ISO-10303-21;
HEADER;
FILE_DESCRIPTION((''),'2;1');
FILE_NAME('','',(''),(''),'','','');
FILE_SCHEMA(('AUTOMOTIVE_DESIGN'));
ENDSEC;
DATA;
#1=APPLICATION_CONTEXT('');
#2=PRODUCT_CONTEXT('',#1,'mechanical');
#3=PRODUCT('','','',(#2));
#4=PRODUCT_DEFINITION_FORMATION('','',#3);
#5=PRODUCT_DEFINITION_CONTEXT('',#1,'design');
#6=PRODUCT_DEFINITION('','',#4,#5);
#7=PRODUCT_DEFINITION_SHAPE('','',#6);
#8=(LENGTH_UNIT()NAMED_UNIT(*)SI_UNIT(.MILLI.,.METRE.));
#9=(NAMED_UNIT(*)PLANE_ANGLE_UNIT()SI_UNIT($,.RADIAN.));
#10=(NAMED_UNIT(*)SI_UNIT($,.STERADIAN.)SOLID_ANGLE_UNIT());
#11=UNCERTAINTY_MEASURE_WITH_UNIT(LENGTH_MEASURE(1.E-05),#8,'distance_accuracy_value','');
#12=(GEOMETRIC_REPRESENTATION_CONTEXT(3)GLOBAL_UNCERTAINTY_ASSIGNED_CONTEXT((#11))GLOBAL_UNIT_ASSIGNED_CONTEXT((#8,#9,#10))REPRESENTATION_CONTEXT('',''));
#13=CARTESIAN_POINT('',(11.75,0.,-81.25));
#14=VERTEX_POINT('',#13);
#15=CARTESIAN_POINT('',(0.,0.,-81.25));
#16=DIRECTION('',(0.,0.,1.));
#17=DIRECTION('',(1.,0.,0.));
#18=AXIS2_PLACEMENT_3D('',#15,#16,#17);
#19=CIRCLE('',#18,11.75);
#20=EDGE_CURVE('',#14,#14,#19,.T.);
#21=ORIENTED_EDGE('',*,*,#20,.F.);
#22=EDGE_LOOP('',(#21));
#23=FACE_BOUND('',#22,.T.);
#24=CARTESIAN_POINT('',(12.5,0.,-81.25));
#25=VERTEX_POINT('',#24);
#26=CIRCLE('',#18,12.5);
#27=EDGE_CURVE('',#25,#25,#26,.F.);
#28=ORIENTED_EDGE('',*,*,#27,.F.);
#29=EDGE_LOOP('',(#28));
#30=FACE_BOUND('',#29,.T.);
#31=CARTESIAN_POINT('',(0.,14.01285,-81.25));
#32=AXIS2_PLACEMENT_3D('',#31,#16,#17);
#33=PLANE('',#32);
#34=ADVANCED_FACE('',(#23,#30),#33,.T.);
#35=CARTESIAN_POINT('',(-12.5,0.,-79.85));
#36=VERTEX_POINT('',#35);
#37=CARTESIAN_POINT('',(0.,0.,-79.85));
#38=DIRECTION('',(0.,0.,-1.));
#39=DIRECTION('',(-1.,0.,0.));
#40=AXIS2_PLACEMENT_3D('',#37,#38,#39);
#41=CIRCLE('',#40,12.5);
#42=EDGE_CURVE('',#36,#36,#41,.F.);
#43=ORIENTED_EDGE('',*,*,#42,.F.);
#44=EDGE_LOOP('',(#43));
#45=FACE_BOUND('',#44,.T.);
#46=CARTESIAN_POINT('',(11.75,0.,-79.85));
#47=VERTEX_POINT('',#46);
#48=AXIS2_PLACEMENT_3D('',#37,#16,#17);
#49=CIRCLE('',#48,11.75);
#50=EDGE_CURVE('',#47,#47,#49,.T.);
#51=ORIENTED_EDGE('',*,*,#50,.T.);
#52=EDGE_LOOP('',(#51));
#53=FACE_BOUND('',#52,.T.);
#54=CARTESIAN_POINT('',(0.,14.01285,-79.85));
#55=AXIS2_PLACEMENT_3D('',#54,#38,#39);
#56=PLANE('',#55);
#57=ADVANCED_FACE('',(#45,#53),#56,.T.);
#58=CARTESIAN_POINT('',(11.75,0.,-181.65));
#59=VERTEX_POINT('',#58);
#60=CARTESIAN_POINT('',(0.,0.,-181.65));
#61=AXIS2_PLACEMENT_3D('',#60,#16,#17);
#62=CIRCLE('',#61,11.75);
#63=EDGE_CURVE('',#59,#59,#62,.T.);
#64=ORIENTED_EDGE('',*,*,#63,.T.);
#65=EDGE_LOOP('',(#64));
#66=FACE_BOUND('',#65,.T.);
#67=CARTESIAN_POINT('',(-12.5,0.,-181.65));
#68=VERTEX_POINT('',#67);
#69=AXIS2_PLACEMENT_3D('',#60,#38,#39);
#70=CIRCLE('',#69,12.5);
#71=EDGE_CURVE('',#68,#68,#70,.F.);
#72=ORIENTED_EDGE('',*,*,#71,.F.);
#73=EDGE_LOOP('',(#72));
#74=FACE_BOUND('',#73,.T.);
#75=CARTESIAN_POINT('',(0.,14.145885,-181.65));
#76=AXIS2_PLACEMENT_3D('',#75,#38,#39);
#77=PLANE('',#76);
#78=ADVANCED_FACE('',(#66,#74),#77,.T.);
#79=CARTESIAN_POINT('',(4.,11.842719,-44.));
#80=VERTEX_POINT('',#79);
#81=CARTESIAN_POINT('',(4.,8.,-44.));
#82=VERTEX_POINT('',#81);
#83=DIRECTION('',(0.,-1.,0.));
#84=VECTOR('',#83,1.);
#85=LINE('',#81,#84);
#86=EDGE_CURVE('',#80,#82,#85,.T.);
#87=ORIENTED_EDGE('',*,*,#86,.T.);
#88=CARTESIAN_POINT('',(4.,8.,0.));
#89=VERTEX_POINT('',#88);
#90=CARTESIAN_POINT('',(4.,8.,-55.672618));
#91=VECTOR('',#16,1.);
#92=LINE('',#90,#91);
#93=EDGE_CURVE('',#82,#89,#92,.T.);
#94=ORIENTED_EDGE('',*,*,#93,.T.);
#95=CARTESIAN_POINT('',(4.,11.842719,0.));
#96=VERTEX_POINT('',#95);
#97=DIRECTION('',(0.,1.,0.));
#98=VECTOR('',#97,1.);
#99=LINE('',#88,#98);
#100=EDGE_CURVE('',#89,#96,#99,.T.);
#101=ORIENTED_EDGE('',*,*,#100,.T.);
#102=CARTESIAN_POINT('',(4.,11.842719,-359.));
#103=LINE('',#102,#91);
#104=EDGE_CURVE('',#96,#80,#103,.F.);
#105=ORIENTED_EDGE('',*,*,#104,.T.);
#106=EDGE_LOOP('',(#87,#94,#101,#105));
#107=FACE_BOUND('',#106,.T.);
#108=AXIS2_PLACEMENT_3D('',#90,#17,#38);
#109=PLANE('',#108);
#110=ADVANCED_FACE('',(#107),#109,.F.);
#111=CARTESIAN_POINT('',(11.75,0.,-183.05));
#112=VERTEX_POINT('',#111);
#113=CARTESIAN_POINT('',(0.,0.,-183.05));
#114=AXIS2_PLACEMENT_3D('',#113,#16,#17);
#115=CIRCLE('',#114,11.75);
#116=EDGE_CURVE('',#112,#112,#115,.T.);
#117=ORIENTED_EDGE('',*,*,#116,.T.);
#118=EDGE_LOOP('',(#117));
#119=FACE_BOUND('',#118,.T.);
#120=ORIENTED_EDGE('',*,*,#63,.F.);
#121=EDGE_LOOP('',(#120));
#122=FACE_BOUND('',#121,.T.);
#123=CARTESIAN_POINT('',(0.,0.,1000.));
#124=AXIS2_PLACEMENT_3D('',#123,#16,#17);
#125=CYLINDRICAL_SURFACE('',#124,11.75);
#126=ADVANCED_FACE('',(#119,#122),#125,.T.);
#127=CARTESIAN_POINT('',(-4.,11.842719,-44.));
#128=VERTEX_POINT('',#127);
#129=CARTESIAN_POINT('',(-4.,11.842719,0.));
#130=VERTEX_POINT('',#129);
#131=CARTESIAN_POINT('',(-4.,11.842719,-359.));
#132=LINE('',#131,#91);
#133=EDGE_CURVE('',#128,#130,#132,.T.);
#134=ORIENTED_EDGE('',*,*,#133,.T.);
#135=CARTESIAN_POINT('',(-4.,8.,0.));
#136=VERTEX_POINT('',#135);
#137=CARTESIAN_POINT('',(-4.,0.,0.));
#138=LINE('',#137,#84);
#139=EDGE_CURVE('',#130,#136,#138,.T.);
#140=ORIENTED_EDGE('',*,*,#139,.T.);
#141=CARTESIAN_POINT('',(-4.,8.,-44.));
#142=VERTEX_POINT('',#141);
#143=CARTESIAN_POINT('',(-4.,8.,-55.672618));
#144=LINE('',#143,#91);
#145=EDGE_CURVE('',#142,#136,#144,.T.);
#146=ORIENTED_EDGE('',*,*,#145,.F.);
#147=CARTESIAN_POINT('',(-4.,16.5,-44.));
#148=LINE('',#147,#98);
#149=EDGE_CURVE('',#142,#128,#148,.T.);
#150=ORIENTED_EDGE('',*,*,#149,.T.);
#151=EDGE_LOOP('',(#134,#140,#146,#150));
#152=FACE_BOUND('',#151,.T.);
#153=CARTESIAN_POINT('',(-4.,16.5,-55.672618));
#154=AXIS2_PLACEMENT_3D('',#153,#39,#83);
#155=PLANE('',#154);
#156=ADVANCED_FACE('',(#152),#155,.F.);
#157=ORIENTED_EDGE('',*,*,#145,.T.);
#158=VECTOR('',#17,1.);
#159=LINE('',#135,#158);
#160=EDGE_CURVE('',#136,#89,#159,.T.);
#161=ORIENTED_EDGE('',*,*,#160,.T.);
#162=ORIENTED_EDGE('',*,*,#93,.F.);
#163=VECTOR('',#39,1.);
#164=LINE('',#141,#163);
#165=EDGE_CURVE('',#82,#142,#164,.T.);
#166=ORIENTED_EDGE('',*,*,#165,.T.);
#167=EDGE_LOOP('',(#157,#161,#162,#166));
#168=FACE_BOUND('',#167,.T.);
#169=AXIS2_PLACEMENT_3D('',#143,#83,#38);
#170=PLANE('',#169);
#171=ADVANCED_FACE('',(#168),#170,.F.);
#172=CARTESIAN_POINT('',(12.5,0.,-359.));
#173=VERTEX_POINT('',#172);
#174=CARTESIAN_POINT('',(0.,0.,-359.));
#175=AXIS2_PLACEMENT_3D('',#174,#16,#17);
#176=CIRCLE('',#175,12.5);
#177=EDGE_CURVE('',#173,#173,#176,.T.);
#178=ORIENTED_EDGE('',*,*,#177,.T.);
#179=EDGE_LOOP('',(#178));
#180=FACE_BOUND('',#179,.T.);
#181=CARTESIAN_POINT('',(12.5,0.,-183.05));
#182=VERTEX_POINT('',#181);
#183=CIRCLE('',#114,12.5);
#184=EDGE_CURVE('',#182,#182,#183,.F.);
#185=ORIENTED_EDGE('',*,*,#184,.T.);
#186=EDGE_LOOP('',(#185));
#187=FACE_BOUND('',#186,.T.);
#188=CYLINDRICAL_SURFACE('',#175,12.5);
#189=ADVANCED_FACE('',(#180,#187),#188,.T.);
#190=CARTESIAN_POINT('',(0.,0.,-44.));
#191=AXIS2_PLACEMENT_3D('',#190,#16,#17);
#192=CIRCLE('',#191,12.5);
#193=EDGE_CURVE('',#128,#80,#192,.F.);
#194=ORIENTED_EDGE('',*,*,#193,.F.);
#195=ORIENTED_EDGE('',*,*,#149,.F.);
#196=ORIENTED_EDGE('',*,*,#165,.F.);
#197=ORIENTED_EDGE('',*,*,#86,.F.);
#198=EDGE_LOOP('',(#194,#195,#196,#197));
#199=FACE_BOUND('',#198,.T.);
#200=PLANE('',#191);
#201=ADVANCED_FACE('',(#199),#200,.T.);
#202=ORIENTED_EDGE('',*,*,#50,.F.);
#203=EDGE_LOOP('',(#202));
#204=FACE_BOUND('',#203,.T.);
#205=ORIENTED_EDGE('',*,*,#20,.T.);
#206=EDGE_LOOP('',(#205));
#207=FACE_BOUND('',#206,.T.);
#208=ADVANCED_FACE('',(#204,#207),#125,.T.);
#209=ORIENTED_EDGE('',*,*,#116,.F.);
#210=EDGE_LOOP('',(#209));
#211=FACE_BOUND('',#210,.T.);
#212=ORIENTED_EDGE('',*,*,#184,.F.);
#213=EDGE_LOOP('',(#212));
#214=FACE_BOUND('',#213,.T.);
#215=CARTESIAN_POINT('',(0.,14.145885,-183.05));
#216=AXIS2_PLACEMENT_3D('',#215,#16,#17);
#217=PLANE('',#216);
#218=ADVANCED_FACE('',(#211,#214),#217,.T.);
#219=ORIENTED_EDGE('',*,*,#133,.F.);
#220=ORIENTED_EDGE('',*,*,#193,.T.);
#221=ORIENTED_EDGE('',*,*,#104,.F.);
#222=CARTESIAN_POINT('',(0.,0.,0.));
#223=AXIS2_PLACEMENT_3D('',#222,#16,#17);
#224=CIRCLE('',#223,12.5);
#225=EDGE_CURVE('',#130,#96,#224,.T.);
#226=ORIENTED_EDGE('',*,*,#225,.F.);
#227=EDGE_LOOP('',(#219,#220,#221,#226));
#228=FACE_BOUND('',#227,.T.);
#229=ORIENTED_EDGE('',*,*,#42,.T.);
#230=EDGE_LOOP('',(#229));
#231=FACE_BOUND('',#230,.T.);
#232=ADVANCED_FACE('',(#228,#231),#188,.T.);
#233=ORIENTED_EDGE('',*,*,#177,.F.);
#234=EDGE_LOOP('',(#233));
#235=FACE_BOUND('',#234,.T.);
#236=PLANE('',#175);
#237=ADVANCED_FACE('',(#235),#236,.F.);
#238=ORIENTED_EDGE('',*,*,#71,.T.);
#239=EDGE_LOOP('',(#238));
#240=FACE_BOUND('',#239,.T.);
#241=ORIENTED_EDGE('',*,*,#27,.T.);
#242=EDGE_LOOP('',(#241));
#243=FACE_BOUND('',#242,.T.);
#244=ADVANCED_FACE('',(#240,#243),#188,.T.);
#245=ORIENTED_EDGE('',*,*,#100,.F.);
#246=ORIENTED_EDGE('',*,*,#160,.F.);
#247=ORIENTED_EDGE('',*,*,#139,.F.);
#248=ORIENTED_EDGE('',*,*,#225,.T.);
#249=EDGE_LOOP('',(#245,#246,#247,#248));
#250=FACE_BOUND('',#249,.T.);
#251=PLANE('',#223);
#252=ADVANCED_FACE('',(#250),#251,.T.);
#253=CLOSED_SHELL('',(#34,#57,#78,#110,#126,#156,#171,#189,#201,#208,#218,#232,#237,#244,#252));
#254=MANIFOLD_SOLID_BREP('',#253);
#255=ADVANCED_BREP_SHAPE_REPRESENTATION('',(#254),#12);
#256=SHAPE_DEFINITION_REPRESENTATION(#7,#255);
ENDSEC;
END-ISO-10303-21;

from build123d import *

# Parameters (mm, degrees)
SKETCH_1_R          = 12.5
EXTRUDE_1_DEPTH     = 359
CUT_EXTRUDE_START   = -44
SKETCH_2_W          = 8
SKETCH_2_H          = 8.5
CUT_EXTRUDE_1_DEPTH = 44
SKETCH_3_W          = 1.4
SKETCH_3_H          = 2.395884976
SKETCH_3_H_2        = 2.262849939


with BuildPart() as part:
    # Эскиз1 → Бобышка-Вытянуть1 (new body)
    with BuildSketch(Plane.XY):
        Circle(SKETCH_1_R)
    extrude(amount=-EXTRUDE_1_DEPTH)

    # Эскиз2 → Вырез-Вытянуть1 (cut)
    with BuildSketch(Plane.XY.offset(CUT_EXTRUDE_START)):
        with Locations((0, 12.25)):
            Rectangle(SKETCH_2_W, SKETCH_2_H)
    extrude(amount=CUT_EXTRUDE_1_DEPTH, mode=Mode.SUBTRACT)

    # Эскиз3 → Вырез-Повернуть1 (revolve, cut)
    with BuildSketch(Plane(origin=(0, 0, 0), x_dir=(0, 0, -1), z_dir=(1, 0, 0))):
        with Locations((182.35, 12.947942488)):
            Rectangle(SKETCH_3_W, SKETCH_3_H)
        with Locations((80.55, 12.881424969)):
            Rectangle(SKETCH_3_W, SKETCH_3_H_2)
    revolve(axis=Axis((0, 0, 1000), (0, 0, -1)), mode=Mode.SUBTRACT)


solid = part.part
